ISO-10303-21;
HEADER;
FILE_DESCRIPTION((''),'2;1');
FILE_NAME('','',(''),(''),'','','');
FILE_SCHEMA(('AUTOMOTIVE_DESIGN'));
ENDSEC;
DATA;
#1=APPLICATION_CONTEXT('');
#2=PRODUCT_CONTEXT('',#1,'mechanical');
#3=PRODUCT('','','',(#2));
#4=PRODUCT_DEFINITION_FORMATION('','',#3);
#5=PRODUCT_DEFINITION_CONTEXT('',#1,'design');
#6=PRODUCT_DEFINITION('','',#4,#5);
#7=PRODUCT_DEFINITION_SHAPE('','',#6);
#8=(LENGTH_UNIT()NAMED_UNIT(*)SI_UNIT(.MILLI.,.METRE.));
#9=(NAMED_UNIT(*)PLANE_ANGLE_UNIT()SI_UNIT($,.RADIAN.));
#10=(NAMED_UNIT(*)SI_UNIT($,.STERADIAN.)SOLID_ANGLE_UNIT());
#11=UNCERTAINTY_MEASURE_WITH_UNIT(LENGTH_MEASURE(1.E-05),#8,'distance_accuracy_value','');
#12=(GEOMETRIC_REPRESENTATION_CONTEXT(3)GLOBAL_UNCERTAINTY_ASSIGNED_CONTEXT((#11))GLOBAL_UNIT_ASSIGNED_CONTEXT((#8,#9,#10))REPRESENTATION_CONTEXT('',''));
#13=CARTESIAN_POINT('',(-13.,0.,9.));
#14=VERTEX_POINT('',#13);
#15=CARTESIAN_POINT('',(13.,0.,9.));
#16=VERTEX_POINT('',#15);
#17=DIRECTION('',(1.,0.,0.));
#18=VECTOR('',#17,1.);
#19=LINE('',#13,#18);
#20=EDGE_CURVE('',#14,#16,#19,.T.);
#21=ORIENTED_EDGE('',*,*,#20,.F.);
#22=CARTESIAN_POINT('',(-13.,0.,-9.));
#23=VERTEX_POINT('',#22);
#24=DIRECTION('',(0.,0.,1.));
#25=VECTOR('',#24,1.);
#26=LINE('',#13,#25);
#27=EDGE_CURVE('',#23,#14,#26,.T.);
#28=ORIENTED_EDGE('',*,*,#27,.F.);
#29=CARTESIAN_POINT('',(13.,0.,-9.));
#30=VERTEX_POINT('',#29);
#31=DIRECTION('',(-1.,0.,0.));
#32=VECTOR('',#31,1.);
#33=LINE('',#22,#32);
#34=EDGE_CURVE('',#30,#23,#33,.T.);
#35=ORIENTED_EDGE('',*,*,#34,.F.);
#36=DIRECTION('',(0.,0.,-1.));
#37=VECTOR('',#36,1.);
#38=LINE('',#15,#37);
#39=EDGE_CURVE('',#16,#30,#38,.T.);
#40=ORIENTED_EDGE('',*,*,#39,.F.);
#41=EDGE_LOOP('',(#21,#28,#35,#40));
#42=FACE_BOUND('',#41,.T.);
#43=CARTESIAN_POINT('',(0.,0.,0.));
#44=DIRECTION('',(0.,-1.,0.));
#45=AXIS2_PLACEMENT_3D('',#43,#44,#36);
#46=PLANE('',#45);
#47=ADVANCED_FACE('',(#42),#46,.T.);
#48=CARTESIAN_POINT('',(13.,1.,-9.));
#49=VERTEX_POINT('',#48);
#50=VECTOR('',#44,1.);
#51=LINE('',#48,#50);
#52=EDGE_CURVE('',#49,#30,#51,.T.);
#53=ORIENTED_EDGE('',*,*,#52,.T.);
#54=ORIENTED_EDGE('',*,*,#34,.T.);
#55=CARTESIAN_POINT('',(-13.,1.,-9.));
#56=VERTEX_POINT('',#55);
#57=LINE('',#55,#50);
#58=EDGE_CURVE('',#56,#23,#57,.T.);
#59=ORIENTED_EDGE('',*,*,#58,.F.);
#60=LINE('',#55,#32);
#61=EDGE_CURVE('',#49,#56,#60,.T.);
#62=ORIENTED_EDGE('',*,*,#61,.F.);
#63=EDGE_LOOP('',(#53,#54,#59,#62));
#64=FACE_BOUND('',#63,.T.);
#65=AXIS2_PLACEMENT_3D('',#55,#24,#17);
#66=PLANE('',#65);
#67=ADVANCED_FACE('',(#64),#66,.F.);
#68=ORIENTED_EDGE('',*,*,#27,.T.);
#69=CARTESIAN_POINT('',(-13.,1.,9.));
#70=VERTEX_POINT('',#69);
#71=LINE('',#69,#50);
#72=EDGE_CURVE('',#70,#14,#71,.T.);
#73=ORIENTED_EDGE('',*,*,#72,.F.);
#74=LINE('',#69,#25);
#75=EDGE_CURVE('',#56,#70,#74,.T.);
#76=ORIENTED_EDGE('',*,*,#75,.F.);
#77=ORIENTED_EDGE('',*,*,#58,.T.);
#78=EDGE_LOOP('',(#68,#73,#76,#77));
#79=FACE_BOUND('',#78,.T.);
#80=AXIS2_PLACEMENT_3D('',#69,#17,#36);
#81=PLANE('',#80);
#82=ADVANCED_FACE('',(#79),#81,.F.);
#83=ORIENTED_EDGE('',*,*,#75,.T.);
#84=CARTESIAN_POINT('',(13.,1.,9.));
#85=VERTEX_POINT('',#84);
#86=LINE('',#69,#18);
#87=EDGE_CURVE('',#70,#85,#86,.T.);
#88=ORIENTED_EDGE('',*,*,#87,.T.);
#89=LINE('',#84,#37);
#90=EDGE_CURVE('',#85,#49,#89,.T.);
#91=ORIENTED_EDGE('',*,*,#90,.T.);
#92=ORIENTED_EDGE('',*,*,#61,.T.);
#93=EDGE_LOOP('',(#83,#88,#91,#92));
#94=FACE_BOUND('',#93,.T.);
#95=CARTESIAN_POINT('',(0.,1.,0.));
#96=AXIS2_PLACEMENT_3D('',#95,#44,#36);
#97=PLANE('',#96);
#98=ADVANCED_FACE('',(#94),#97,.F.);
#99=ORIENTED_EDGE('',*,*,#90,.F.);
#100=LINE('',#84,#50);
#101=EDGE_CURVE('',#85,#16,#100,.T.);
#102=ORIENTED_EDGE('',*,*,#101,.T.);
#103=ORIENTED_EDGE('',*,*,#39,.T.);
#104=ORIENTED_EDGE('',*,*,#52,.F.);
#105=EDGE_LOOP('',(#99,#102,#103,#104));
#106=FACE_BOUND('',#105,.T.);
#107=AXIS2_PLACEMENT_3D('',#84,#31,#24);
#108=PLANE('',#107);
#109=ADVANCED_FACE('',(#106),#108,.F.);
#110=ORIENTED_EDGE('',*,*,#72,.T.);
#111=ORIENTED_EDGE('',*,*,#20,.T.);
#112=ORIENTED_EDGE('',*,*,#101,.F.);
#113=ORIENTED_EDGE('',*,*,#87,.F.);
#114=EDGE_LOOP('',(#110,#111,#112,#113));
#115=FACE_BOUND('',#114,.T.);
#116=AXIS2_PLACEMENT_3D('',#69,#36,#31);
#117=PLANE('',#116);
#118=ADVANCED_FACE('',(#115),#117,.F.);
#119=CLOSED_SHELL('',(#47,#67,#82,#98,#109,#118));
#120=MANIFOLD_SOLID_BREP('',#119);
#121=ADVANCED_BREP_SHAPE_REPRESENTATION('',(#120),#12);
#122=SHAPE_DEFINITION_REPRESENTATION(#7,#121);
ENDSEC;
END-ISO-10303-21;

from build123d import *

# Parameters (mm, degrees)
SKETCH1_W           = 26
SKETCH1_H           = 18
BOSS_EXTRUDE1_DEPTH = 1


with BuildPart() as part:
    # Sketch1 → Boss-Extrude1 (new body)
    with BuildSketch(Plane(origin=(0, 0, 0), x_dir=(1, 0, 0), z_dir=(0, 1, 0))):
        Rectangle(SKETCH1_W, SKETCH1_H)
    extrude(amount=BOSS_EXTRUDE1_DEPTH)


solid = part.part
